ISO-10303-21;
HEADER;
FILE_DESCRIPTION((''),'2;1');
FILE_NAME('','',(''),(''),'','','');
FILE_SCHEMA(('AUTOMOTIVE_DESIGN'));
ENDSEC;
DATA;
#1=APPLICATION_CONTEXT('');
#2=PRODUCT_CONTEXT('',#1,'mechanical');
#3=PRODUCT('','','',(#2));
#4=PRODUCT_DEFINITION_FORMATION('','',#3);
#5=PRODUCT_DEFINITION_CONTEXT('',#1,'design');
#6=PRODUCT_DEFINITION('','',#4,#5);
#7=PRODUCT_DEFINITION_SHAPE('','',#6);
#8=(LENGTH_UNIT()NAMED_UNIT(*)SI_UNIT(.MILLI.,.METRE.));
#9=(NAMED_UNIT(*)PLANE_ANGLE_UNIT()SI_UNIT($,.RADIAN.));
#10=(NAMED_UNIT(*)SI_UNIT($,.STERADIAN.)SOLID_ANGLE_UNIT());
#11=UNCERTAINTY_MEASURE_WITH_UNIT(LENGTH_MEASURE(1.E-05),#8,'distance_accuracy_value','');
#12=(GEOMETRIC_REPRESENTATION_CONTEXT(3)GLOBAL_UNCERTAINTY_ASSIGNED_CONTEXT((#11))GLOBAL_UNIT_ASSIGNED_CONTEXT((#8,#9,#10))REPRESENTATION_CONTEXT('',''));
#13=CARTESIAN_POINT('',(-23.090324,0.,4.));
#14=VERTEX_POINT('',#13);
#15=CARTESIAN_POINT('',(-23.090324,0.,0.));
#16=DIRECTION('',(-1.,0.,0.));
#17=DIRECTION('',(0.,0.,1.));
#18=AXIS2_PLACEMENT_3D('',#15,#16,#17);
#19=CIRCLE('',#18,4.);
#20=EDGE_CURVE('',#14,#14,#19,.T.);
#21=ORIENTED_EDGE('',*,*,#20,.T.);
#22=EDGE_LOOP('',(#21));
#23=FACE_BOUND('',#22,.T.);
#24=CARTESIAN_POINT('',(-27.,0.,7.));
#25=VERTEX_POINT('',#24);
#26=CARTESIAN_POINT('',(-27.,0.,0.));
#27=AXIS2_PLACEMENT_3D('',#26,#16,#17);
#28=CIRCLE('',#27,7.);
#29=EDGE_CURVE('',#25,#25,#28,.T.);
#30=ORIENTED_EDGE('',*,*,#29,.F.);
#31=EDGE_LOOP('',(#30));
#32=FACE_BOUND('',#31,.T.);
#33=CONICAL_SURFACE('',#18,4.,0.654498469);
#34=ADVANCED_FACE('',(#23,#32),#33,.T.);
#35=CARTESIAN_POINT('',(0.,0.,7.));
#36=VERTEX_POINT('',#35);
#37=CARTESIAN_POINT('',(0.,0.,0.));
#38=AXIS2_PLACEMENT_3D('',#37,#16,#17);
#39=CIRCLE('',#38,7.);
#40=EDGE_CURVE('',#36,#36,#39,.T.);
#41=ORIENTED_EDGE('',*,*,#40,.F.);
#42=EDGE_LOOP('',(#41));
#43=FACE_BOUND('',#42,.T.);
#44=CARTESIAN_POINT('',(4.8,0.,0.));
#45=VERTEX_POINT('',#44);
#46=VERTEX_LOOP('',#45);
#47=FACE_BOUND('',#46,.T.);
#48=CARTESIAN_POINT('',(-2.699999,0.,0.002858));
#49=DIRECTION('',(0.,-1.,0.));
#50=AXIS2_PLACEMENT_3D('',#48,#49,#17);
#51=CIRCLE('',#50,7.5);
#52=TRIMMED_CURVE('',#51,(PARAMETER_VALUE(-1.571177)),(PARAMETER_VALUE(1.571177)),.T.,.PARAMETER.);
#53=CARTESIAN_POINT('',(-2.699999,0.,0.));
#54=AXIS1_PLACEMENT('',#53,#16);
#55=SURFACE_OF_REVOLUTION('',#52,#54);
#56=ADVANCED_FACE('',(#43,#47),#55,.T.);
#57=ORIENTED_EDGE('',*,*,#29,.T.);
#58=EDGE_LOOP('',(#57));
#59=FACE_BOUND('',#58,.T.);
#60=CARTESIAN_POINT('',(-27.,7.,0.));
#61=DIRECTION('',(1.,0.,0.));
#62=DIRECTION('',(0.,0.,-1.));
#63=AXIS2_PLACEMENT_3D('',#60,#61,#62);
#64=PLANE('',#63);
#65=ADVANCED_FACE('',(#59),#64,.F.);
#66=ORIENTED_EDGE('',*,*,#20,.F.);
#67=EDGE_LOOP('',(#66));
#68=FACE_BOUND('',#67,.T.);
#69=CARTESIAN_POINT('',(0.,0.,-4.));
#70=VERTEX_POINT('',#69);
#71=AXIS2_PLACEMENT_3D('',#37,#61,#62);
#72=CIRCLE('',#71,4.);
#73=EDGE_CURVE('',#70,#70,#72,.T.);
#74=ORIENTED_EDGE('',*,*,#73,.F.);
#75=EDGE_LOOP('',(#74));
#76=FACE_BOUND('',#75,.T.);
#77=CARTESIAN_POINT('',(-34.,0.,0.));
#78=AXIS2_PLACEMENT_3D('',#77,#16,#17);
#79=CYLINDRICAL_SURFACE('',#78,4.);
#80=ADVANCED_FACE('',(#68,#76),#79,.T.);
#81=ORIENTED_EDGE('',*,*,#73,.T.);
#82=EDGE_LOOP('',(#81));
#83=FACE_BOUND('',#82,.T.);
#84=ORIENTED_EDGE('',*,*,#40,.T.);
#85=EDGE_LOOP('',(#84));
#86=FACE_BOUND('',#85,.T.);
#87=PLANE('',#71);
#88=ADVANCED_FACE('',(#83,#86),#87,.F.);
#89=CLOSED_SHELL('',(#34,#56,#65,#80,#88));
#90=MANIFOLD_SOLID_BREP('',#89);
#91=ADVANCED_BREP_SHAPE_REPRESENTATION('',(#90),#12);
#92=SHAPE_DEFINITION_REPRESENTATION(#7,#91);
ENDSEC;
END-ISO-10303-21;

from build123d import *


with BuildPart() as part:
    # Sketch1 → Base-Revolve (revolve)
    with BuildSketch(Plane.XY, mode=Mode.PRIVATE) as base_revolve_sk:
        Polygon((-27, 0), (0, 0), (0, 4), (-23.090323881, 4), (-27, 7), align=None)
    revolve(base_revolve_sk.sketch.rotate(Axis((-34, 0, 0), (1, 0, 0)), 90), axis=Axis((-34, 0, 0), (1, 0, 0)))

    # Sketch2 → HeadTypeA (revolve)
    with BuildSketch(Plane.XY):
        with BuildLine():
            Line((0, 0), (4.8, 0))
            ThreePointArc((4.8, 0), (3.485466933, 4.244320183), (0, 7))
            Line((0, 7), (0, 0))
        make_face()
    revolve(axis=Axis((-32, 0, 0), (1, 0, 0)))


solid = part.part
